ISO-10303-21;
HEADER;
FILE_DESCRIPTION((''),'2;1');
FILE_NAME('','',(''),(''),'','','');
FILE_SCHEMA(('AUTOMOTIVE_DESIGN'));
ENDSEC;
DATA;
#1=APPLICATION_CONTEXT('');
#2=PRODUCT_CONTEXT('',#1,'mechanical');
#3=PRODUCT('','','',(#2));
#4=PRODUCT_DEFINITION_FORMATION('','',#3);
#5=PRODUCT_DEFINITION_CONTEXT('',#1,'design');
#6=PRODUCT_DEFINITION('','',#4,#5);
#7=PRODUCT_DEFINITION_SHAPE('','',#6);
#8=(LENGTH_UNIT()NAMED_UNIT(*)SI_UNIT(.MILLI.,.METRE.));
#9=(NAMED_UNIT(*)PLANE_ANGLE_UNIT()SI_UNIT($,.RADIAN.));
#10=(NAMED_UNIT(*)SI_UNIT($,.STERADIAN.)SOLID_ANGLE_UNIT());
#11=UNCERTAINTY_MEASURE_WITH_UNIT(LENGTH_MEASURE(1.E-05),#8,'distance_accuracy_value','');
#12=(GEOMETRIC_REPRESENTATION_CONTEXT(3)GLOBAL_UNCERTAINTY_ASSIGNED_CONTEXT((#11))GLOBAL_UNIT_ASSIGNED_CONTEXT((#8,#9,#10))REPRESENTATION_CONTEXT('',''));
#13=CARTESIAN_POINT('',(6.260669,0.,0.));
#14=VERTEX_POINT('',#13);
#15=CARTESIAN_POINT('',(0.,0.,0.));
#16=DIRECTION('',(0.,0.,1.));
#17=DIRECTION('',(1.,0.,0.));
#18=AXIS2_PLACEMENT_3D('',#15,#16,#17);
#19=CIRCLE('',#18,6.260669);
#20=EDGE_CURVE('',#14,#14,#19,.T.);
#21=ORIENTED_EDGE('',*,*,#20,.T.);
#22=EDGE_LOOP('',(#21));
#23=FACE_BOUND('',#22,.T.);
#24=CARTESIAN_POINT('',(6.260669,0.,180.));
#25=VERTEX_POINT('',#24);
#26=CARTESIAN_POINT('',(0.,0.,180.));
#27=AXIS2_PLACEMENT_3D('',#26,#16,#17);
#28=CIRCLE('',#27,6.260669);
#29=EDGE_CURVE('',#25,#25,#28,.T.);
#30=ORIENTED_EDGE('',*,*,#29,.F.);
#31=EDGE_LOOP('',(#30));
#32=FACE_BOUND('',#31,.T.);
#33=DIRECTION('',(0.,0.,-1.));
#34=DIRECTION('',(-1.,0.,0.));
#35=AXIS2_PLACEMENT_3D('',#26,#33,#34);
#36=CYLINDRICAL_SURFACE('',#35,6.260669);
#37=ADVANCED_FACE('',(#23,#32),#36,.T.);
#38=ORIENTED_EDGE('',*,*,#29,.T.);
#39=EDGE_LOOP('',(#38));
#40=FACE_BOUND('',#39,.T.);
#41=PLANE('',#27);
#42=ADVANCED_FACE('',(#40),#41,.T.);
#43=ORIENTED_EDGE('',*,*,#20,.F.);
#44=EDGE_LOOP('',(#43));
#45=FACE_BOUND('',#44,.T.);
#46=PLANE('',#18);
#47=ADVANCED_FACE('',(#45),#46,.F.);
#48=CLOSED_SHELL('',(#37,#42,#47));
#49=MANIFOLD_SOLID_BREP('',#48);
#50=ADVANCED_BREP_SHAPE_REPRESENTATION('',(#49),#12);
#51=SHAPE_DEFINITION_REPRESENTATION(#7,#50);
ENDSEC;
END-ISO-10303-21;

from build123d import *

# Parameters (mm, degrees)
SKETCH_1_R      = 6.260668565
EXTRUDE_1_DEPTH = 180


with BuildPart() as part:
    # 草图1 → 凸台-拉伸1 (new body)
    with BuildSketch(Plane.XY):
        Circle(SKETCH_1_R)
    extrude(amount=EXTRUDE_1_DEPTH)


solid = part.part
